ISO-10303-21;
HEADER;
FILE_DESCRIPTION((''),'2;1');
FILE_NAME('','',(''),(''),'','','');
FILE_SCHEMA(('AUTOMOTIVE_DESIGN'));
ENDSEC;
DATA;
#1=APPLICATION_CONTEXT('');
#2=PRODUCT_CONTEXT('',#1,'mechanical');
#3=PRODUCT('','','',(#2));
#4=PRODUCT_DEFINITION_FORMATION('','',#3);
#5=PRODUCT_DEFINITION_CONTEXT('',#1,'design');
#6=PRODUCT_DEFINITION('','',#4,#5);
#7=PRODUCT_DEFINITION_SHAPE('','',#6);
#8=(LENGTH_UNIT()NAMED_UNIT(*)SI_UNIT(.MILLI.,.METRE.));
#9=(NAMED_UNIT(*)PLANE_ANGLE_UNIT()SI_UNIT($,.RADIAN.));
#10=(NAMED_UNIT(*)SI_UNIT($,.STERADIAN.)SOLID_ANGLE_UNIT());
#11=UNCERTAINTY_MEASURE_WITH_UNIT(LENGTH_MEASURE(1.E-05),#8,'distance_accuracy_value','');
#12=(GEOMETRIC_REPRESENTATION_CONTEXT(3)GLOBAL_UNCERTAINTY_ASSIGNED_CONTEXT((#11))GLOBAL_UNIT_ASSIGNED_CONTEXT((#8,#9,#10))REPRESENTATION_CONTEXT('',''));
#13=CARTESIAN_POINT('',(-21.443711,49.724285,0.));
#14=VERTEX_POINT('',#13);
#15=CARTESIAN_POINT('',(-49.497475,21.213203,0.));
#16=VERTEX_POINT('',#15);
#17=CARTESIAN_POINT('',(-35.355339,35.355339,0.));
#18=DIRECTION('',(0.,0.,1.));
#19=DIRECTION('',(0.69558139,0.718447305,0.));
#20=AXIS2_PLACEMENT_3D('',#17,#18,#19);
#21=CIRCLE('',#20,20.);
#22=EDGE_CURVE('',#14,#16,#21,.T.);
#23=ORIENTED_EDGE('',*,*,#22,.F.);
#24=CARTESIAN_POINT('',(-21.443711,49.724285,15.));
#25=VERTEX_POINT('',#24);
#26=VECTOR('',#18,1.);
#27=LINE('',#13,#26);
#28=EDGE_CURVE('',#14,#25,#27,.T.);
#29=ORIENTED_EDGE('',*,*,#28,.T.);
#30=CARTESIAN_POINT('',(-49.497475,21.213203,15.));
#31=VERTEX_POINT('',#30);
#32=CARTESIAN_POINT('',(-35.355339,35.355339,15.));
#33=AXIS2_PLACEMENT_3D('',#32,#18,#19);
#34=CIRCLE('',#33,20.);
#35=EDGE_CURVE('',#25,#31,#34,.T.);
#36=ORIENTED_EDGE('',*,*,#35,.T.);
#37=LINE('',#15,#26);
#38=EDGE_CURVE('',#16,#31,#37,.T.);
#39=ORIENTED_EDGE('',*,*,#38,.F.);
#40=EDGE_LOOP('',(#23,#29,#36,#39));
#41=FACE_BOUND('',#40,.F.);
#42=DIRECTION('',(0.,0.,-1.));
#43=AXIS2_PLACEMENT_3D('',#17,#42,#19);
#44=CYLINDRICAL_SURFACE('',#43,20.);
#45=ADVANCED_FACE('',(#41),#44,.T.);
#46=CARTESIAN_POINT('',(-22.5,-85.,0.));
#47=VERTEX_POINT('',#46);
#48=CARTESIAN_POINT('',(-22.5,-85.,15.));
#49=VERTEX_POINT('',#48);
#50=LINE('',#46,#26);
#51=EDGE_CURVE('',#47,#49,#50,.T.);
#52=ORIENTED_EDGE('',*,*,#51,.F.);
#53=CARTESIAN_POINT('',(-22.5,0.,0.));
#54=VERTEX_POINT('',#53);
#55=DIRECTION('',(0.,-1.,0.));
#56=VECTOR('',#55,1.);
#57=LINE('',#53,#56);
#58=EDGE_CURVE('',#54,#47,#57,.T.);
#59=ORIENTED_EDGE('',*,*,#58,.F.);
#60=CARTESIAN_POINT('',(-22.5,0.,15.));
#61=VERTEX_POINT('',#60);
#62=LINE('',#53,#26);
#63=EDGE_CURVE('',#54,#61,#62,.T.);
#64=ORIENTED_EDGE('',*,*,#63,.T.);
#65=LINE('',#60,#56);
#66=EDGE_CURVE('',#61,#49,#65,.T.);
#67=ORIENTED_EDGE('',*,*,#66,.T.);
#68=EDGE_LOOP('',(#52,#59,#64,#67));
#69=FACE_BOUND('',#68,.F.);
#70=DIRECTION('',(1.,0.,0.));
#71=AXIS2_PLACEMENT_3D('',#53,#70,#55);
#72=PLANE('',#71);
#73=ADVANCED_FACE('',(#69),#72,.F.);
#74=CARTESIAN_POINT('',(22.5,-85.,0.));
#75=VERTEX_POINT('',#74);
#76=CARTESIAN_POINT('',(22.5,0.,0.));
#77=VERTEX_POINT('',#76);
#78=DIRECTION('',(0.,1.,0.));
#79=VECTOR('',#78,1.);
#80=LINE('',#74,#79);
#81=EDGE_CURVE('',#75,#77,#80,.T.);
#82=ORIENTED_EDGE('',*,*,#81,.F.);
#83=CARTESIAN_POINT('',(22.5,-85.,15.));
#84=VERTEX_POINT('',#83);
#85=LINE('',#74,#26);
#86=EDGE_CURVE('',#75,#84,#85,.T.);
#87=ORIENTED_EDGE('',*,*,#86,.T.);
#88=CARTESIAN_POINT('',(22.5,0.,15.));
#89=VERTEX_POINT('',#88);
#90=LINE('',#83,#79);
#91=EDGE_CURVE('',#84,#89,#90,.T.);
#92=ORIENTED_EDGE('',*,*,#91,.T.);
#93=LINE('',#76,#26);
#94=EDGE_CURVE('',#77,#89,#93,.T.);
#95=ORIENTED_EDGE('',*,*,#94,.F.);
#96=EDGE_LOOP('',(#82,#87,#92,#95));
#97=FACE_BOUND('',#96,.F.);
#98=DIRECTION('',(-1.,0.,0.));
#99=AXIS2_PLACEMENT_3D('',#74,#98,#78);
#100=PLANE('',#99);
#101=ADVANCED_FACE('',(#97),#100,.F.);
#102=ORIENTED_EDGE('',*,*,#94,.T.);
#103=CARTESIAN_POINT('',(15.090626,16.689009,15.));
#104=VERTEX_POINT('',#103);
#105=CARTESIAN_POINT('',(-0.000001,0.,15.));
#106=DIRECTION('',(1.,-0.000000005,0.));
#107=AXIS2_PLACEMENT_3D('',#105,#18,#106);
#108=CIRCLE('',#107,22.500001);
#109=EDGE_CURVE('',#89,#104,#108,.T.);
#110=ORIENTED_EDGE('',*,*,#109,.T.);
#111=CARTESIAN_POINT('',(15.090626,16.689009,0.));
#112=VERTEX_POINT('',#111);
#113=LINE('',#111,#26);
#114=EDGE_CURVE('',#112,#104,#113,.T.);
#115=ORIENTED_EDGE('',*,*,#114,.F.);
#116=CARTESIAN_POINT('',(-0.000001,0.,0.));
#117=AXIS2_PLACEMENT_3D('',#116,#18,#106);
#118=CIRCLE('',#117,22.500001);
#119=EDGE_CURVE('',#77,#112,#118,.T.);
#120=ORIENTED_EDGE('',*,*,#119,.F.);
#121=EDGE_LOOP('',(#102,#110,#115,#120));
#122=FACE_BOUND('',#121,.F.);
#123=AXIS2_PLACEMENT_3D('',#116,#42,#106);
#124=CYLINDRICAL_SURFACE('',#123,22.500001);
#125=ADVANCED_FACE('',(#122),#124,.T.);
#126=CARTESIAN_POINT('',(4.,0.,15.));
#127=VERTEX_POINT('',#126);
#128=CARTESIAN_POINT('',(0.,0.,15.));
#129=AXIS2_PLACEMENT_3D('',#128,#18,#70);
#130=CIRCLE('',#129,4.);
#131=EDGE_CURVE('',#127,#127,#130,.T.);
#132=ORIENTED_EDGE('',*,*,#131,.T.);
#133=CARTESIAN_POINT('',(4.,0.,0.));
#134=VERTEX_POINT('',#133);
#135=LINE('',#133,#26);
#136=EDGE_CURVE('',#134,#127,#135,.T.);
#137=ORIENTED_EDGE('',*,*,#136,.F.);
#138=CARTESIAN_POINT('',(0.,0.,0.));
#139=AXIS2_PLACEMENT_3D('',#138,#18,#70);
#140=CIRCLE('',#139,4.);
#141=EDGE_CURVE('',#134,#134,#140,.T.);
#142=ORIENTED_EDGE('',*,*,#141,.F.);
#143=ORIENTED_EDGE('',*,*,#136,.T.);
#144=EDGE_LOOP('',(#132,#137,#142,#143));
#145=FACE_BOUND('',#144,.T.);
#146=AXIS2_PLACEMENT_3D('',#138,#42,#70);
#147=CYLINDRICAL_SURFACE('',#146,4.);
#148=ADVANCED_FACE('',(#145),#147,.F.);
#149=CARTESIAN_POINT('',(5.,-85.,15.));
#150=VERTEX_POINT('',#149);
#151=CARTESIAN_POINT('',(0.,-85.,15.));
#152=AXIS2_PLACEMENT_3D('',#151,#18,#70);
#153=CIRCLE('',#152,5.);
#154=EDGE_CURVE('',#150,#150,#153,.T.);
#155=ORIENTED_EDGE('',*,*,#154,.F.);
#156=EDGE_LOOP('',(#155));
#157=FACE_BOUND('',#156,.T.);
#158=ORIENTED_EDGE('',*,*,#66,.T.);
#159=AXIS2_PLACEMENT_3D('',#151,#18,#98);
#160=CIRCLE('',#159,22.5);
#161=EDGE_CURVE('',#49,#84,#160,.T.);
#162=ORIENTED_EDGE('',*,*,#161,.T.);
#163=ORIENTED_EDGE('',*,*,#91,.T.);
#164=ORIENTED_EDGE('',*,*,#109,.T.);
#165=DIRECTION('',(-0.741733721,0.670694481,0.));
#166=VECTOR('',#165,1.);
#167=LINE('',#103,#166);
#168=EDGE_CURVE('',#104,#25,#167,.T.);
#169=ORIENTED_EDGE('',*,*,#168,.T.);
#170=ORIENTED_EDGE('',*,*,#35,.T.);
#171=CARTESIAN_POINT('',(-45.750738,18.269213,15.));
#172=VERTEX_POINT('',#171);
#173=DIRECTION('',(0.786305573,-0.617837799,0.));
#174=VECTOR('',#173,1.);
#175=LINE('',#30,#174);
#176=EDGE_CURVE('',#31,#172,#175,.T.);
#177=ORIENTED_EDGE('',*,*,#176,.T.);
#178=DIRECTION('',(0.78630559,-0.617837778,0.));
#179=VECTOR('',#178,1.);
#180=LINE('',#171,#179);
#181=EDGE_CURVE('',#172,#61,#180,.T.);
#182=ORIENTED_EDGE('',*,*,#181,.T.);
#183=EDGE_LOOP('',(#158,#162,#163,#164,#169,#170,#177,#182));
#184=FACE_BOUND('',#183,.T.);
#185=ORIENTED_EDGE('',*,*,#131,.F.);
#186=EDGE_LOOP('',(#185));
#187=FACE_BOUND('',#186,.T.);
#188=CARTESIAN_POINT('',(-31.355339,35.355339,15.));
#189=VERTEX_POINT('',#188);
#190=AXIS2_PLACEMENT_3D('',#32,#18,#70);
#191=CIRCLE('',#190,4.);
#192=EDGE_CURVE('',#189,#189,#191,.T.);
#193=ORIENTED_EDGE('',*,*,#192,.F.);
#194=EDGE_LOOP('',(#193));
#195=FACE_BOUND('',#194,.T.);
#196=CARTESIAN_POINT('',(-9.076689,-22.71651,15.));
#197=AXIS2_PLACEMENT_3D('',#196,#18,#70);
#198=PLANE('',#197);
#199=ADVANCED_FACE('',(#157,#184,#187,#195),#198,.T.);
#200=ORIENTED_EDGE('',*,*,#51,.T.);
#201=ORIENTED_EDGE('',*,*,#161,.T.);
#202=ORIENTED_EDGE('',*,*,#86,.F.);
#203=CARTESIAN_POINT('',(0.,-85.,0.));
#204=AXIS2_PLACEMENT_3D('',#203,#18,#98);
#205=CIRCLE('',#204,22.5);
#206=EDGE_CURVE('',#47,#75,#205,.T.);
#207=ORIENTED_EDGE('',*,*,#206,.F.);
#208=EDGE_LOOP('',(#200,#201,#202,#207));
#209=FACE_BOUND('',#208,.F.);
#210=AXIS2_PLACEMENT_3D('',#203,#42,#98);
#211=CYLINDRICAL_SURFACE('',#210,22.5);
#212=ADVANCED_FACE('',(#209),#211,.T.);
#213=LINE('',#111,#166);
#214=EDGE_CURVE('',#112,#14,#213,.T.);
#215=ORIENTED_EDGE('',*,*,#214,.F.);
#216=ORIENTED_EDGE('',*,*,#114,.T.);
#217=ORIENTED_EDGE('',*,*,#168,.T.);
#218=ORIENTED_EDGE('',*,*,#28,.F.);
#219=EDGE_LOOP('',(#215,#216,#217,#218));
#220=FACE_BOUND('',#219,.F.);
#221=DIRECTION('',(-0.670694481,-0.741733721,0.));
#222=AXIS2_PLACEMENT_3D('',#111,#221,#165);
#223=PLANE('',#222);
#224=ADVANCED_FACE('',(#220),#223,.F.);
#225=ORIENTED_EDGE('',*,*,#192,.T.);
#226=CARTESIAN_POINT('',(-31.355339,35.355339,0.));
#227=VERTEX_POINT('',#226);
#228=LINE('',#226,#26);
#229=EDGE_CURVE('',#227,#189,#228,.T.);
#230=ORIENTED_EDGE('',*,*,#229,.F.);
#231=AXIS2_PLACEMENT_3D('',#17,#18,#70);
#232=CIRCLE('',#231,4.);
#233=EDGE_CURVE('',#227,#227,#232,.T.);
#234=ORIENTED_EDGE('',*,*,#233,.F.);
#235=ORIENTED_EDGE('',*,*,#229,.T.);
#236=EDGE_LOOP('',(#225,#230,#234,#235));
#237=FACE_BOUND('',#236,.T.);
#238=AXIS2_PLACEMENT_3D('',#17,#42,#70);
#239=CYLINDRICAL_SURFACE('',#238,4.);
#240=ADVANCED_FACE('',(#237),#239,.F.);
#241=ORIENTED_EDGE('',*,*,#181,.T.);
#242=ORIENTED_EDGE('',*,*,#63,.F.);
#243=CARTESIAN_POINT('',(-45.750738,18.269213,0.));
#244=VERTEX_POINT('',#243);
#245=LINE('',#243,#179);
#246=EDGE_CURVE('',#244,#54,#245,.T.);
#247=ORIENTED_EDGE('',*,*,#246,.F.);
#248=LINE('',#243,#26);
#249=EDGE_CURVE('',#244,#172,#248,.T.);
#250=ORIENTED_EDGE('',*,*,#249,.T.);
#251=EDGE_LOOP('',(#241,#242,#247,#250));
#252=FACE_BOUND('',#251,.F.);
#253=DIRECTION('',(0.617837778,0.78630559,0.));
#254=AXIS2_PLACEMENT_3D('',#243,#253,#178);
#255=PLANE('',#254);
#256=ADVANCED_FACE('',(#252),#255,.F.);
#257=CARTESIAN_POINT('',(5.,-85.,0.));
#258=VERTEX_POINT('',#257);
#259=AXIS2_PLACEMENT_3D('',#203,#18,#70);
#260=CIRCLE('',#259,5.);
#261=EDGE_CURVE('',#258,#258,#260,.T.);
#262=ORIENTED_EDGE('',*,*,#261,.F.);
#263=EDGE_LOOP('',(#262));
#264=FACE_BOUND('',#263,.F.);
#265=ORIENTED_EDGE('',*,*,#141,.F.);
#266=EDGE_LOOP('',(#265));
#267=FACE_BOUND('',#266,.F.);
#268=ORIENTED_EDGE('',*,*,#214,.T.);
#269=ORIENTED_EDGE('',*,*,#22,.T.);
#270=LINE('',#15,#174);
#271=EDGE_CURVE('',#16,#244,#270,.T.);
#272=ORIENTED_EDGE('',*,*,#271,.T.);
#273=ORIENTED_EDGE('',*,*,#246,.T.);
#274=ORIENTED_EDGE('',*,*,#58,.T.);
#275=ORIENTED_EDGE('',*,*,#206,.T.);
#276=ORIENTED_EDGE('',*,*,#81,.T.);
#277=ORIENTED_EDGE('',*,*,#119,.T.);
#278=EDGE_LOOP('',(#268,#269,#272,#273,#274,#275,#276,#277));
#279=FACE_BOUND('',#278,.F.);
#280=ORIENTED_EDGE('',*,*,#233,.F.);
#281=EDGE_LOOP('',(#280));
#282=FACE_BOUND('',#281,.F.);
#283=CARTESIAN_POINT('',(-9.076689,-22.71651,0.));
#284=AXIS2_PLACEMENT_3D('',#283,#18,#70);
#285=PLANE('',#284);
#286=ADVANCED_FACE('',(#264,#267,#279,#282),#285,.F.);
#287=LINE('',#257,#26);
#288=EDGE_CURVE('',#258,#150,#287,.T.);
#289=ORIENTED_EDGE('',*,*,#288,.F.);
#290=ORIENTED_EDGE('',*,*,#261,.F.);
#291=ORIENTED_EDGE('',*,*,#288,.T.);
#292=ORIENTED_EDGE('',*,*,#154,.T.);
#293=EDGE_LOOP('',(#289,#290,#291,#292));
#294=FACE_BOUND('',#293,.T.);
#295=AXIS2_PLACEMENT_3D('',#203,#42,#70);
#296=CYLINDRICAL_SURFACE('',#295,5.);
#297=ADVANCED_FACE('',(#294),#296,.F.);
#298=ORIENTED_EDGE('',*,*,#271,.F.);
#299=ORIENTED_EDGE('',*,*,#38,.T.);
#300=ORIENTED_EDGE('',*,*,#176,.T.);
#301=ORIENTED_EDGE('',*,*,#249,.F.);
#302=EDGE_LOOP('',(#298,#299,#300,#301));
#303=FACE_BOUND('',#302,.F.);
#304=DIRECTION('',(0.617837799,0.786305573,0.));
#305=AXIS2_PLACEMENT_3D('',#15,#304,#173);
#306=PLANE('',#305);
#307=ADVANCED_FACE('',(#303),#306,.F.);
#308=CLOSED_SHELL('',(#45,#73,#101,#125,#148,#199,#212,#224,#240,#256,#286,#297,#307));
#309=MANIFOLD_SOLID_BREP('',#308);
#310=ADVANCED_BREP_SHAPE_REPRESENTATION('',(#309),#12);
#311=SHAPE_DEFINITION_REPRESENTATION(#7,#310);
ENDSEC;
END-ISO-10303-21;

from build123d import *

# Parameters (mm, degrees)
F0_R     = 5
F0_R_2   = 4
F1_DEPTH = 15


with BuildPart() as f1:
    # F0 (on Top) → F1 (new body)
    with BuildSketch(Plane.XY):
        with BuildLine():
            Line((15.090626, 16.689009), (-21.443711, 49.724285))
            ThreePointArc((-21.443711, 49.724285), (-49.611346, 49.382679), (-49.497475, 21.213203))
            Line((-49.497475, 21.213203), (-45.750738, 18.269213))
            Line((-45.750738, 18.269213), (-22.5, 0))
            Line((-22.5, 0), (-22.5, -85))
            ThreePointArc((-22.5, -85), (0, -107.5), (22.5, -85))
            Line((22.5, -85), (22.5, 0))
            ThreePointArc((22.5, 0), (20.5644, 9.129921), (15.090626, 16.689009))
        make_face()
        with Locations((0, -85)):
            Circle(F0_R, mode=Mode.SUBTRACT)
        with Locations((-35.355339, 35.355339)):
            Circle(F0_R_2, mode=Mode.SUBTRACT)
        Circle(F0_R_2, mode=Mode.SUBTRACT)
    extrude(amount=F1_DEPTH)


solid = f1.part
